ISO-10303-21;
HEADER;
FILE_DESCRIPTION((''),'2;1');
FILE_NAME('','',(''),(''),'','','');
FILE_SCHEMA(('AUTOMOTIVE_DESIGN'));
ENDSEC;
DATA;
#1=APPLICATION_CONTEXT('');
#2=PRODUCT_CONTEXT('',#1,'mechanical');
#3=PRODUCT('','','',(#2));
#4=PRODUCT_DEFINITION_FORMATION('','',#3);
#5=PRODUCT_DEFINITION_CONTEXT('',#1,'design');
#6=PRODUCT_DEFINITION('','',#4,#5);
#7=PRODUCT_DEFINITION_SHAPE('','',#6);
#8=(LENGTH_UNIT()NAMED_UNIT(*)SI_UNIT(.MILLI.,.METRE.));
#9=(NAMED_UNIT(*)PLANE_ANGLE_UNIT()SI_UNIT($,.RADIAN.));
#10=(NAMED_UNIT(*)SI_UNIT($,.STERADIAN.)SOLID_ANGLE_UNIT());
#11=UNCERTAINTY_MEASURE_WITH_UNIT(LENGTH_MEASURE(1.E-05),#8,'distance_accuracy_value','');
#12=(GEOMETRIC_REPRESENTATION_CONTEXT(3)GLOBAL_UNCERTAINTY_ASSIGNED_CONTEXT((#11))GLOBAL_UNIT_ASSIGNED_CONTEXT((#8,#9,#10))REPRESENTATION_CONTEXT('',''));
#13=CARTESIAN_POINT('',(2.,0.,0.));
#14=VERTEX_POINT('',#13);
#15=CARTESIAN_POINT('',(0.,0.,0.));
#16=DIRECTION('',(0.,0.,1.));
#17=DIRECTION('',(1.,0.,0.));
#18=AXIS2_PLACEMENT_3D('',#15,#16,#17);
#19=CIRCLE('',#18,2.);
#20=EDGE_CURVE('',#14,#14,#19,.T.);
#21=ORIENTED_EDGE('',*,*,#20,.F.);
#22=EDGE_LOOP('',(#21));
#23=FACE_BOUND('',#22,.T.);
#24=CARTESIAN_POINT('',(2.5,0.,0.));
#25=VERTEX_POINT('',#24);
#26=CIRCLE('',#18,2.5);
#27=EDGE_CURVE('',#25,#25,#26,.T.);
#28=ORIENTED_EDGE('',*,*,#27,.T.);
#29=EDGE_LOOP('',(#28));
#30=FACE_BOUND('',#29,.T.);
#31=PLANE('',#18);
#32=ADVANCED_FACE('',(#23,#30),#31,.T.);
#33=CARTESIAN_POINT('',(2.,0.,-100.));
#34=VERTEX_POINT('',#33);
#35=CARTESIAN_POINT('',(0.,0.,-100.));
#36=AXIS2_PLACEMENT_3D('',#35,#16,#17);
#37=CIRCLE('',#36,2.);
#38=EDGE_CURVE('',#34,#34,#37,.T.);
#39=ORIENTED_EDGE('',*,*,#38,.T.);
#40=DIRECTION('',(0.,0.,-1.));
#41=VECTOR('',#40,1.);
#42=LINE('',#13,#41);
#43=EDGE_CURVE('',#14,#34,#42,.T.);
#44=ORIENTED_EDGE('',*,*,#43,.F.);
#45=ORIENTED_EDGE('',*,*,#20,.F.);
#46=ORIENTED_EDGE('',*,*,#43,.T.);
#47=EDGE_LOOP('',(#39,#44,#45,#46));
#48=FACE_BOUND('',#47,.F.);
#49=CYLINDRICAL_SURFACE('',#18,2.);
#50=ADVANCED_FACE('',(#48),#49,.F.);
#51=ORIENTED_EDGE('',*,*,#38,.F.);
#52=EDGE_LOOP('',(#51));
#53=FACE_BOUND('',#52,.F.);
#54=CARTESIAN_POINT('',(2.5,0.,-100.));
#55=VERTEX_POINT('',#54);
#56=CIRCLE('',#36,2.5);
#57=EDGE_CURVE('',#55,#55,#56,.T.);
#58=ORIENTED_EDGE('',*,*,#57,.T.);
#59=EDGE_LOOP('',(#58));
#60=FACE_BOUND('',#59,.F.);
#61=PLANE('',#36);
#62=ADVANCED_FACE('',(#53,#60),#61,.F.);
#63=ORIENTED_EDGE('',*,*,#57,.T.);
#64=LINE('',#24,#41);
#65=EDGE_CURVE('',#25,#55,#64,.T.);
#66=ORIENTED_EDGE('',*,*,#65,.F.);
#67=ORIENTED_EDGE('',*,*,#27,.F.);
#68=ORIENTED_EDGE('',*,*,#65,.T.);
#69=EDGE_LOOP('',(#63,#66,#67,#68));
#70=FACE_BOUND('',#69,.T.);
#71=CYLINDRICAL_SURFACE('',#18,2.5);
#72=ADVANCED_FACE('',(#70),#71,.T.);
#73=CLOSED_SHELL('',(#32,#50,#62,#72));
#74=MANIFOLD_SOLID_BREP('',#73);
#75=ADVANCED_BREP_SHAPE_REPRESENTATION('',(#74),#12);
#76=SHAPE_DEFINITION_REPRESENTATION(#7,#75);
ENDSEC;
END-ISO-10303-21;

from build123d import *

# Parameters (mm, degrees)
F0_R     = 2.5
F1_DEPTH = 100
F2_R     = 2
F3_DEPTH = 101


with BuildPart() as f1:
    # F0 (on Top) → F1 (new body)
    with BuildSketch(Plane.XY):
        Circle(F0_R)
    extrude(amount=-F1_DEPTH)

    # F2 (on face) → F3 (cut)
    with BuildSketch(Plane.XY):
        Circle(F2_R)
    extrude(amount=-F3_DEPTH, mode=Mode.SUBTRACT)


solid = f1.part
